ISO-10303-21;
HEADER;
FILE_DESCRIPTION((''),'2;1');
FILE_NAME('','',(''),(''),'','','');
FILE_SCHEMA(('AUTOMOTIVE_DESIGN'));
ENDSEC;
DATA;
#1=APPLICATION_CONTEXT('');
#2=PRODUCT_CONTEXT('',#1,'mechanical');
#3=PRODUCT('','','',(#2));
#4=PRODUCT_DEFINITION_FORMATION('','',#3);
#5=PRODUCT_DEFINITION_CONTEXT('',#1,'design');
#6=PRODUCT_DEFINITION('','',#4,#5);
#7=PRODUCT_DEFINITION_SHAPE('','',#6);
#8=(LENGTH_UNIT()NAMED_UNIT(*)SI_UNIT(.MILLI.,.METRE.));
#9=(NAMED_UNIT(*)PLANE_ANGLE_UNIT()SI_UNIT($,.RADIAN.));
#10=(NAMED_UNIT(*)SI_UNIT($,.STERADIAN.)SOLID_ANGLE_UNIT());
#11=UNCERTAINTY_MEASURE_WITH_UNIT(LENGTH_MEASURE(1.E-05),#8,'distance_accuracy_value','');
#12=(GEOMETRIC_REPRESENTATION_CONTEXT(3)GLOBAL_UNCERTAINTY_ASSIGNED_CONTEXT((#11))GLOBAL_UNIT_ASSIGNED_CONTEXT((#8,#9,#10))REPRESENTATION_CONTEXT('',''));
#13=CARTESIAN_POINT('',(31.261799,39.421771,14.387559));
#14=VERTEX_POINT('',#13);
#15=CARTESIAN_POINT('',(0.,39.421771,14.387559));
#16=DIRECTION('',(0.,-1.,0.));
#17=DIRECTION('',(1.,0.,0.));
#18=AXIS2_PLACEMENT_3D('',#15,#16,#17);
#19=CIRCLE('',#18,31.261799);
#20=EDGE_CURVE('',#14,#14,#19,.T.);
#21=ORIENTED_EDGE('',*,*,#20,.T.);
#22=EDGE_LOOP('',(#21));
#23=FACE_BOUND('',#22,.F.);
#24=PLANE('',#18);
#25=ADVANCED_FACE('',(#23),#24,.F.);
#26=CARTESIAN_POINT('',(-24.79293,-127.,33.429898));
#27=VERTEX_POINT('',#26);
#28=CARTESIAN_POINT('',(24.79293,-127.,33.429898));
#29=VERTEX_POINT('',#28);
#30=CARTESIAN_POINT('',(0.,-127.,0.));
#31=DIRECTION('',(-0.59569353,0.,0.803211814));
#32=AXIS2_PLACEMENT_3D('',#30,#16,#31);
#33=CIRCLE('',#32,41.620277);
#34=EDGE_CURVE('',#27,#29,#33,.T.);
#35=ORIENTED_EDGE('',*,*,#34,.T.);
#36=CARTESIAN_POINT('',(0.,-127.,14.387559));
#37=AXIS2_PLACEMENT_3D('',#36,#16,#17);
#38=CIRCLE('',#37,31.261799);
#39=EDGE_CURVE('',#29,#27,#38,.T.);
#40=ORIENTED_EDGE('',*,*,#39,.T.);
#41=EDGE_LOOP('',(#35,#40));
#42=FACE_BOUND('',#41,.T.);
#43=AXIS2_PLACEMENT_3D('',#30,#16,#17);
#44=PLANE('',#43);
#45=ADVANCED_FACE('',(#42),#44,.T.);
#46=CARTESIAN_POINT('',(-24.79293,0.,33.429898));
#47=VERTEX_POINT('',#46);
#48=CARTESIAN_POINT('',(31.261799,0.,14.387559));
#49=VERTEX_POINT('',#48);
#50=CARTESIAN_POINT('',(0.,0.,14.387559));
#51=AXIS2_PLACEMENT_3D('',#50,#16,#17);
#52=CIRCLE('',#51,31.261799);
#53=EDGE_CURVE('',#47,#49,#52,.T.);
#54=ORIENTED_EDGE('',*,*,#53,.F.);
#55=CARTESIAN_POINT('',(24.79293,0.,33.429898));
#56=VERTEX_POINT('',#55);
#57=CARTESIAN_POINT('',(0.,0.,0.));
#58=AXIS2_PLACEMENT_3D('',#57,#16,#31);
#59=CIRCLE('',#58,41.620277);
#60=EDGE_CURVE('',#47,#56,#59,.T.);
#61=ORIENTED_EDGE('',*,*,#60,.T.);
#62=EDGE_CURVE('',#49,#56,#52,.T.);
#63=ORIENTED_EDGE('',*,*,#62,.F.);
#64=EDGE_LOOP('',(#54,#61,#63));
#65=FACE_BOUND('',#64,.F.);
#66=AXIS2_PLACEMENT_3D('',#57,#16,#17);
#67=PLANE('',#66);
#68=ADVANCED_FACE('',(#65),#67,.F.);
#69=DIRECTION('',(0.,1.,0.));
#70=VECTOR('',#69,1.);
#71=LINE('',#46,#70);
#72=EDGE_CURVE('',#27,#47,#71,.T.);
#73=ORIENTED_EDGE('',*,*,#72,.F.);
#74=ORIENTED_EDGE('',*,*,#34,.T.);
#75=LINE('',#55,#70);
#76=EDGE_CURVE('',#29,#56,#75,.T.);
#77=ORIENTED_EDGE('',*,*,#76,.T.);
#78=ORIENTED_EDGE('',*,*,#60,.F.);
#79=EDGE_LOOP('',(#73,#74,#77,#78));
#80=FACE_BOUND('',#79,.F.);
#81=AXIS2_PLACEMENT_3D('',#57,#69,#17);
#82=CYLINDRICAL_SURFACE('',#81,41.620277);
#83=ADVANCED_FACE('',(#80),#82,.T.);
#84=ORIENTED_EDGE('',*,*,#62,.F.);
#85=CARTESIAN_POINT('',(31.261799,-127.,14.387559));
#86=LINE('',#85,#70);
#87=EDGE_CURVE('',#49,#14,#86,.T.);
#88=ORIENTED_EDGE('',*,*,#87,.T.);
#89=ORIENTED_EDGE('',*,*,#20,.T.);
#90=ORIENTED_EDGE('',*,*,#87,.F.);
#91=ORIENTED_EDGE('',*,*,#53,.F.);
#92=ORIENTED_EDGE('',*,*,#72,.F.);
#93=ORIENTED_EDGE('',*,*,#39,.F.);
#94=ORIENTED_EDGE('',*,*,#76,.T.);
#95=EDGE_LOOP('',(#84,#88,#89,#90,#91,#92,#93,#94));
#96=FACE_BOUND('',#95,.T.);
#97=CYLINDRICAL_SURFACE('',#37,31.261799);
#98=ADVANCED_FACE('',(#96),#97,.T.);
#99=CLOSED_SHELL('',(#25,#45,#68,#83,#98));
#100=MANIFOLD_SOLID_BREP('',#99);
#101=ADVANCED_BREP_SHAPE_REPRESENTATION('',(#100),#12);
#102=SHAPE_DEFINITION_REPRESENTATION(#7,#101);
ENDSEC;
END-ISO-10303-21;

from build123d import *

# Parameters (mm, degrees)
F0_R     = 41.620277158
F1_DEPTH = 127
F2_R     = 31.2617985802
F3_DEPTH = 166.4217710495


with BuildPart() as f1:
    # F0 (on Front) → F1 (new body)
    with BuildSketch(Plane.XZ):
        Circle(F0_R)
    extrude(amount=F1_DEPTH)

    # F2 (on face) → F3 (join)
    with BuildSketch(Plane.XZ.offset(127)):
        with Locations((0, 14.3875591457)):
            Circle(F2_R)
    extrude(amount=-F3_DEPTH)


solid = f1.part
